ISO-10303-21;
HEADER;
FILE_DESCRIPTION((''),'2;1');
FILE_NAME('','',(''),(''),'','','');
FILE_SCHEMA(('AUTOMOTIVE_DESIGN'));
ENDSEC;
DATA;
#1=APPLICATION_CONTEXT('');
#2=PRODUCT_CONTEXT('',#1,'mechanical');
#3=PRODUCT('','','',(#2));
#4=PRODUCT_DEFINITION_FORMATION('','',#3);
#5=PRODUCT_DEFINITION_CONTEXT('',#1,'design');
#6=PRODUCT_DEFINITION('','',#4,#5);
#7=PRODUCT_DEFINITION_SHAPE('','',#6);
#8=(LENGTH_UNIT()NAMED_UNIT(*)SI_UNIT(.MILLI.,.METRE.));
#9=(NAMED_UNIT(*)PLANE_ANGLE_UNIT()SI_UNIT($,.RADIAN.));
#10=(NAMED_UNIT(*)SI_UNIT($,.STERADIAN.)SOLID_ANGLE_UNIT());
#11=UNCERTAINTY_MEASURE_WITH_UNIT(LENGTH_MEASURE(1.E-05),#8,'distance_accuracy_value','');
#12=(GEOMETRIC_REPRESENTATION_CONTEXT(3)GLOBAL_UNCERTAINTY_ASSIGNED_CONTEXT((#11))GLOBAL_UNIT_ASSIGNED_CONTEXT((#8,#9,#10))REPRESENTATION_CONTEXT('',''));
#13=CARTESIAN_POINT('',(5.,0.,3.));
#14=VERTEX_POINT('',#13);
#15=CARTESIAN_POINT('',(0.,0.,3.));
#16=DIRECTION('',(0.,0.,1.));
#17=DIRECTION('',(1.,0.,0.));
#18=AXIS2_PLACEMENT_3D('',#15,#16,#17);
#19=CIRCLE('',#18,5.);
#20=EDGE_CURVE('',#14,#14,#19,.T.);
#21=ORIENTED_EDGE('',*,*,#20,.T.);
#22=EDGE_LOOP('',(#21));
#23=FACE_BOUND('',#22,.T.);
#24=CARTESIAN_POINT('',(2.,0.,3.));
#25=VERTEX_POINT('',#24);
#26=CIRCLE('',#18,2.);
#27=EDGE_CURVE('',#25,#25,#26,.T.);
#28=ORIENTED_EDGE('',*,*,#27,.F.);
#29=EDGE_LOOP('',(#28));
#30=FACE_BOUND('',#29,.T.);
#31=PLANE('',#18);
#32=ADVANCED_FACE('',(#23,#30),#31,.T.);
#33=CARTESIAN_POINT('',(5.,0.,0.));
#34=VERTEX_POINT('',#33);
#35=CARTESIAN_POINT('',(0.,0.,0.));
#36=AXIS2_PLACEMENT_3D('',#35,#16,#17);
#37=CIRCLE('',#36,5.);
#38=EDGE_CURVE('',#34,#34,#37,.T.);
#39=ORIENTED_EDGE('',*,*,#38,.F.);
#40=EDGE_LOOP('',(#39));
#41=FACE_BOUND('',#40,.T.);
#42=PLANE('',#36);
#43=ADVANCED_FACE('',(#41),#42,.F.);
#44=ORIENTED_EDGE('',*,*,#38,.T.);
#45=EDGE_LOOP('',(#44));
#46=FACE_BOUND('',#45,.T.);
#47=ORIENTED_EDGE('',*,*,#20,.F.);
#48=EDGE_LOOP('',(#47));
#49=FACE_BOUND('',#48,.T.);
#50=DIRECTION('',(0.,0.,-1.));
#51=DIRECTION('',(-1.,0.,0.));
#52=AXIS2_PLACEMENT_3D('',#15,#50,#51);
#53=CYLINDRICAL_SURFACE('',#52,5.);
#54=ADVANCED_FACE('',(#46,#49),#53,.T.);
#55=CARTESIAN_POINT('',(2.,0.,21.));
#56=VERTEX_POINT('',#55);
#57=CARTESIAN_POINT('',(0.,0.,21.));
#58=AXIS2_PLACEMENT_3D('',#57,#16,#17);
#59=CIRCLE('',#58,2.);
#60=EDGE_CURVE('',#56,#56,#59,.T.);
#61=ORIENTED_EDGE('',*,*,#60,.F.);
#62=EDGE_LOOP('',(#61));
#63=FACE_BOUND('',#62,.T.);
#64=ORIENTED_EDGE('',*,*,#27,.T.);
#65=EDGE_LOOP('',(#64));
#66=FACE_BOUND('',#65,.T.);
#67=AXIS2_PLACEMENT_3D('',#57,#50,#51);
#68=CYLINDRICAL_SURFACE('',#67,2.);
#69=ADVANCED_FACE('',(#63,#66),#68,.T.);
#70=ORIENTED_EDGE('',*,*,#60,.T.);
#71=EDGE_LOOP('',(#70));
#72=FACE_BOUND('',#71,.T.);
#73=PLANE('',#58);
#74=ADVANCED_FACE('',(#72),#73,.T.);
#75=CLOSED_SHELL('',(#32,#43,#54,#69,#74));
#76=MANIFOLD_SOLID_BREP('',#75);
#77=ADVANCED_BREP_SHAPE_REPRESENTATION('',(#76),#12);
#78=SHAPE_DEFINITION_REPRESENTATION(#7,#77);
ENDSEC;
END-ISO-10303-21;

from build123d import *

# Parameters (mm, degrees)
SKETCH1_R           = 5
BOSS_EXTRUDE1_DEPTH = 3
SKETCH2_R           = 2
BOSS_EXTRUDE2_DEPTH = 18


with BuildPart() as part:
    # Sketch1 → Boss-Extrude1 (new body)
    with BuildSketch(Plane.XY):
        Circle(SKETCH1_R)
    extrude(amount=BOSS_EXTRUDE1_DEPTH)

    # Sketch2 → Boss-Extrude2 (add)
    with BuildSketch(Plane.XY.offset(3)):
        Circle(SKETCH2_R)
    extrude(amount=BOSS_EXTRUDE2_DEPTH)


solid = part.part
